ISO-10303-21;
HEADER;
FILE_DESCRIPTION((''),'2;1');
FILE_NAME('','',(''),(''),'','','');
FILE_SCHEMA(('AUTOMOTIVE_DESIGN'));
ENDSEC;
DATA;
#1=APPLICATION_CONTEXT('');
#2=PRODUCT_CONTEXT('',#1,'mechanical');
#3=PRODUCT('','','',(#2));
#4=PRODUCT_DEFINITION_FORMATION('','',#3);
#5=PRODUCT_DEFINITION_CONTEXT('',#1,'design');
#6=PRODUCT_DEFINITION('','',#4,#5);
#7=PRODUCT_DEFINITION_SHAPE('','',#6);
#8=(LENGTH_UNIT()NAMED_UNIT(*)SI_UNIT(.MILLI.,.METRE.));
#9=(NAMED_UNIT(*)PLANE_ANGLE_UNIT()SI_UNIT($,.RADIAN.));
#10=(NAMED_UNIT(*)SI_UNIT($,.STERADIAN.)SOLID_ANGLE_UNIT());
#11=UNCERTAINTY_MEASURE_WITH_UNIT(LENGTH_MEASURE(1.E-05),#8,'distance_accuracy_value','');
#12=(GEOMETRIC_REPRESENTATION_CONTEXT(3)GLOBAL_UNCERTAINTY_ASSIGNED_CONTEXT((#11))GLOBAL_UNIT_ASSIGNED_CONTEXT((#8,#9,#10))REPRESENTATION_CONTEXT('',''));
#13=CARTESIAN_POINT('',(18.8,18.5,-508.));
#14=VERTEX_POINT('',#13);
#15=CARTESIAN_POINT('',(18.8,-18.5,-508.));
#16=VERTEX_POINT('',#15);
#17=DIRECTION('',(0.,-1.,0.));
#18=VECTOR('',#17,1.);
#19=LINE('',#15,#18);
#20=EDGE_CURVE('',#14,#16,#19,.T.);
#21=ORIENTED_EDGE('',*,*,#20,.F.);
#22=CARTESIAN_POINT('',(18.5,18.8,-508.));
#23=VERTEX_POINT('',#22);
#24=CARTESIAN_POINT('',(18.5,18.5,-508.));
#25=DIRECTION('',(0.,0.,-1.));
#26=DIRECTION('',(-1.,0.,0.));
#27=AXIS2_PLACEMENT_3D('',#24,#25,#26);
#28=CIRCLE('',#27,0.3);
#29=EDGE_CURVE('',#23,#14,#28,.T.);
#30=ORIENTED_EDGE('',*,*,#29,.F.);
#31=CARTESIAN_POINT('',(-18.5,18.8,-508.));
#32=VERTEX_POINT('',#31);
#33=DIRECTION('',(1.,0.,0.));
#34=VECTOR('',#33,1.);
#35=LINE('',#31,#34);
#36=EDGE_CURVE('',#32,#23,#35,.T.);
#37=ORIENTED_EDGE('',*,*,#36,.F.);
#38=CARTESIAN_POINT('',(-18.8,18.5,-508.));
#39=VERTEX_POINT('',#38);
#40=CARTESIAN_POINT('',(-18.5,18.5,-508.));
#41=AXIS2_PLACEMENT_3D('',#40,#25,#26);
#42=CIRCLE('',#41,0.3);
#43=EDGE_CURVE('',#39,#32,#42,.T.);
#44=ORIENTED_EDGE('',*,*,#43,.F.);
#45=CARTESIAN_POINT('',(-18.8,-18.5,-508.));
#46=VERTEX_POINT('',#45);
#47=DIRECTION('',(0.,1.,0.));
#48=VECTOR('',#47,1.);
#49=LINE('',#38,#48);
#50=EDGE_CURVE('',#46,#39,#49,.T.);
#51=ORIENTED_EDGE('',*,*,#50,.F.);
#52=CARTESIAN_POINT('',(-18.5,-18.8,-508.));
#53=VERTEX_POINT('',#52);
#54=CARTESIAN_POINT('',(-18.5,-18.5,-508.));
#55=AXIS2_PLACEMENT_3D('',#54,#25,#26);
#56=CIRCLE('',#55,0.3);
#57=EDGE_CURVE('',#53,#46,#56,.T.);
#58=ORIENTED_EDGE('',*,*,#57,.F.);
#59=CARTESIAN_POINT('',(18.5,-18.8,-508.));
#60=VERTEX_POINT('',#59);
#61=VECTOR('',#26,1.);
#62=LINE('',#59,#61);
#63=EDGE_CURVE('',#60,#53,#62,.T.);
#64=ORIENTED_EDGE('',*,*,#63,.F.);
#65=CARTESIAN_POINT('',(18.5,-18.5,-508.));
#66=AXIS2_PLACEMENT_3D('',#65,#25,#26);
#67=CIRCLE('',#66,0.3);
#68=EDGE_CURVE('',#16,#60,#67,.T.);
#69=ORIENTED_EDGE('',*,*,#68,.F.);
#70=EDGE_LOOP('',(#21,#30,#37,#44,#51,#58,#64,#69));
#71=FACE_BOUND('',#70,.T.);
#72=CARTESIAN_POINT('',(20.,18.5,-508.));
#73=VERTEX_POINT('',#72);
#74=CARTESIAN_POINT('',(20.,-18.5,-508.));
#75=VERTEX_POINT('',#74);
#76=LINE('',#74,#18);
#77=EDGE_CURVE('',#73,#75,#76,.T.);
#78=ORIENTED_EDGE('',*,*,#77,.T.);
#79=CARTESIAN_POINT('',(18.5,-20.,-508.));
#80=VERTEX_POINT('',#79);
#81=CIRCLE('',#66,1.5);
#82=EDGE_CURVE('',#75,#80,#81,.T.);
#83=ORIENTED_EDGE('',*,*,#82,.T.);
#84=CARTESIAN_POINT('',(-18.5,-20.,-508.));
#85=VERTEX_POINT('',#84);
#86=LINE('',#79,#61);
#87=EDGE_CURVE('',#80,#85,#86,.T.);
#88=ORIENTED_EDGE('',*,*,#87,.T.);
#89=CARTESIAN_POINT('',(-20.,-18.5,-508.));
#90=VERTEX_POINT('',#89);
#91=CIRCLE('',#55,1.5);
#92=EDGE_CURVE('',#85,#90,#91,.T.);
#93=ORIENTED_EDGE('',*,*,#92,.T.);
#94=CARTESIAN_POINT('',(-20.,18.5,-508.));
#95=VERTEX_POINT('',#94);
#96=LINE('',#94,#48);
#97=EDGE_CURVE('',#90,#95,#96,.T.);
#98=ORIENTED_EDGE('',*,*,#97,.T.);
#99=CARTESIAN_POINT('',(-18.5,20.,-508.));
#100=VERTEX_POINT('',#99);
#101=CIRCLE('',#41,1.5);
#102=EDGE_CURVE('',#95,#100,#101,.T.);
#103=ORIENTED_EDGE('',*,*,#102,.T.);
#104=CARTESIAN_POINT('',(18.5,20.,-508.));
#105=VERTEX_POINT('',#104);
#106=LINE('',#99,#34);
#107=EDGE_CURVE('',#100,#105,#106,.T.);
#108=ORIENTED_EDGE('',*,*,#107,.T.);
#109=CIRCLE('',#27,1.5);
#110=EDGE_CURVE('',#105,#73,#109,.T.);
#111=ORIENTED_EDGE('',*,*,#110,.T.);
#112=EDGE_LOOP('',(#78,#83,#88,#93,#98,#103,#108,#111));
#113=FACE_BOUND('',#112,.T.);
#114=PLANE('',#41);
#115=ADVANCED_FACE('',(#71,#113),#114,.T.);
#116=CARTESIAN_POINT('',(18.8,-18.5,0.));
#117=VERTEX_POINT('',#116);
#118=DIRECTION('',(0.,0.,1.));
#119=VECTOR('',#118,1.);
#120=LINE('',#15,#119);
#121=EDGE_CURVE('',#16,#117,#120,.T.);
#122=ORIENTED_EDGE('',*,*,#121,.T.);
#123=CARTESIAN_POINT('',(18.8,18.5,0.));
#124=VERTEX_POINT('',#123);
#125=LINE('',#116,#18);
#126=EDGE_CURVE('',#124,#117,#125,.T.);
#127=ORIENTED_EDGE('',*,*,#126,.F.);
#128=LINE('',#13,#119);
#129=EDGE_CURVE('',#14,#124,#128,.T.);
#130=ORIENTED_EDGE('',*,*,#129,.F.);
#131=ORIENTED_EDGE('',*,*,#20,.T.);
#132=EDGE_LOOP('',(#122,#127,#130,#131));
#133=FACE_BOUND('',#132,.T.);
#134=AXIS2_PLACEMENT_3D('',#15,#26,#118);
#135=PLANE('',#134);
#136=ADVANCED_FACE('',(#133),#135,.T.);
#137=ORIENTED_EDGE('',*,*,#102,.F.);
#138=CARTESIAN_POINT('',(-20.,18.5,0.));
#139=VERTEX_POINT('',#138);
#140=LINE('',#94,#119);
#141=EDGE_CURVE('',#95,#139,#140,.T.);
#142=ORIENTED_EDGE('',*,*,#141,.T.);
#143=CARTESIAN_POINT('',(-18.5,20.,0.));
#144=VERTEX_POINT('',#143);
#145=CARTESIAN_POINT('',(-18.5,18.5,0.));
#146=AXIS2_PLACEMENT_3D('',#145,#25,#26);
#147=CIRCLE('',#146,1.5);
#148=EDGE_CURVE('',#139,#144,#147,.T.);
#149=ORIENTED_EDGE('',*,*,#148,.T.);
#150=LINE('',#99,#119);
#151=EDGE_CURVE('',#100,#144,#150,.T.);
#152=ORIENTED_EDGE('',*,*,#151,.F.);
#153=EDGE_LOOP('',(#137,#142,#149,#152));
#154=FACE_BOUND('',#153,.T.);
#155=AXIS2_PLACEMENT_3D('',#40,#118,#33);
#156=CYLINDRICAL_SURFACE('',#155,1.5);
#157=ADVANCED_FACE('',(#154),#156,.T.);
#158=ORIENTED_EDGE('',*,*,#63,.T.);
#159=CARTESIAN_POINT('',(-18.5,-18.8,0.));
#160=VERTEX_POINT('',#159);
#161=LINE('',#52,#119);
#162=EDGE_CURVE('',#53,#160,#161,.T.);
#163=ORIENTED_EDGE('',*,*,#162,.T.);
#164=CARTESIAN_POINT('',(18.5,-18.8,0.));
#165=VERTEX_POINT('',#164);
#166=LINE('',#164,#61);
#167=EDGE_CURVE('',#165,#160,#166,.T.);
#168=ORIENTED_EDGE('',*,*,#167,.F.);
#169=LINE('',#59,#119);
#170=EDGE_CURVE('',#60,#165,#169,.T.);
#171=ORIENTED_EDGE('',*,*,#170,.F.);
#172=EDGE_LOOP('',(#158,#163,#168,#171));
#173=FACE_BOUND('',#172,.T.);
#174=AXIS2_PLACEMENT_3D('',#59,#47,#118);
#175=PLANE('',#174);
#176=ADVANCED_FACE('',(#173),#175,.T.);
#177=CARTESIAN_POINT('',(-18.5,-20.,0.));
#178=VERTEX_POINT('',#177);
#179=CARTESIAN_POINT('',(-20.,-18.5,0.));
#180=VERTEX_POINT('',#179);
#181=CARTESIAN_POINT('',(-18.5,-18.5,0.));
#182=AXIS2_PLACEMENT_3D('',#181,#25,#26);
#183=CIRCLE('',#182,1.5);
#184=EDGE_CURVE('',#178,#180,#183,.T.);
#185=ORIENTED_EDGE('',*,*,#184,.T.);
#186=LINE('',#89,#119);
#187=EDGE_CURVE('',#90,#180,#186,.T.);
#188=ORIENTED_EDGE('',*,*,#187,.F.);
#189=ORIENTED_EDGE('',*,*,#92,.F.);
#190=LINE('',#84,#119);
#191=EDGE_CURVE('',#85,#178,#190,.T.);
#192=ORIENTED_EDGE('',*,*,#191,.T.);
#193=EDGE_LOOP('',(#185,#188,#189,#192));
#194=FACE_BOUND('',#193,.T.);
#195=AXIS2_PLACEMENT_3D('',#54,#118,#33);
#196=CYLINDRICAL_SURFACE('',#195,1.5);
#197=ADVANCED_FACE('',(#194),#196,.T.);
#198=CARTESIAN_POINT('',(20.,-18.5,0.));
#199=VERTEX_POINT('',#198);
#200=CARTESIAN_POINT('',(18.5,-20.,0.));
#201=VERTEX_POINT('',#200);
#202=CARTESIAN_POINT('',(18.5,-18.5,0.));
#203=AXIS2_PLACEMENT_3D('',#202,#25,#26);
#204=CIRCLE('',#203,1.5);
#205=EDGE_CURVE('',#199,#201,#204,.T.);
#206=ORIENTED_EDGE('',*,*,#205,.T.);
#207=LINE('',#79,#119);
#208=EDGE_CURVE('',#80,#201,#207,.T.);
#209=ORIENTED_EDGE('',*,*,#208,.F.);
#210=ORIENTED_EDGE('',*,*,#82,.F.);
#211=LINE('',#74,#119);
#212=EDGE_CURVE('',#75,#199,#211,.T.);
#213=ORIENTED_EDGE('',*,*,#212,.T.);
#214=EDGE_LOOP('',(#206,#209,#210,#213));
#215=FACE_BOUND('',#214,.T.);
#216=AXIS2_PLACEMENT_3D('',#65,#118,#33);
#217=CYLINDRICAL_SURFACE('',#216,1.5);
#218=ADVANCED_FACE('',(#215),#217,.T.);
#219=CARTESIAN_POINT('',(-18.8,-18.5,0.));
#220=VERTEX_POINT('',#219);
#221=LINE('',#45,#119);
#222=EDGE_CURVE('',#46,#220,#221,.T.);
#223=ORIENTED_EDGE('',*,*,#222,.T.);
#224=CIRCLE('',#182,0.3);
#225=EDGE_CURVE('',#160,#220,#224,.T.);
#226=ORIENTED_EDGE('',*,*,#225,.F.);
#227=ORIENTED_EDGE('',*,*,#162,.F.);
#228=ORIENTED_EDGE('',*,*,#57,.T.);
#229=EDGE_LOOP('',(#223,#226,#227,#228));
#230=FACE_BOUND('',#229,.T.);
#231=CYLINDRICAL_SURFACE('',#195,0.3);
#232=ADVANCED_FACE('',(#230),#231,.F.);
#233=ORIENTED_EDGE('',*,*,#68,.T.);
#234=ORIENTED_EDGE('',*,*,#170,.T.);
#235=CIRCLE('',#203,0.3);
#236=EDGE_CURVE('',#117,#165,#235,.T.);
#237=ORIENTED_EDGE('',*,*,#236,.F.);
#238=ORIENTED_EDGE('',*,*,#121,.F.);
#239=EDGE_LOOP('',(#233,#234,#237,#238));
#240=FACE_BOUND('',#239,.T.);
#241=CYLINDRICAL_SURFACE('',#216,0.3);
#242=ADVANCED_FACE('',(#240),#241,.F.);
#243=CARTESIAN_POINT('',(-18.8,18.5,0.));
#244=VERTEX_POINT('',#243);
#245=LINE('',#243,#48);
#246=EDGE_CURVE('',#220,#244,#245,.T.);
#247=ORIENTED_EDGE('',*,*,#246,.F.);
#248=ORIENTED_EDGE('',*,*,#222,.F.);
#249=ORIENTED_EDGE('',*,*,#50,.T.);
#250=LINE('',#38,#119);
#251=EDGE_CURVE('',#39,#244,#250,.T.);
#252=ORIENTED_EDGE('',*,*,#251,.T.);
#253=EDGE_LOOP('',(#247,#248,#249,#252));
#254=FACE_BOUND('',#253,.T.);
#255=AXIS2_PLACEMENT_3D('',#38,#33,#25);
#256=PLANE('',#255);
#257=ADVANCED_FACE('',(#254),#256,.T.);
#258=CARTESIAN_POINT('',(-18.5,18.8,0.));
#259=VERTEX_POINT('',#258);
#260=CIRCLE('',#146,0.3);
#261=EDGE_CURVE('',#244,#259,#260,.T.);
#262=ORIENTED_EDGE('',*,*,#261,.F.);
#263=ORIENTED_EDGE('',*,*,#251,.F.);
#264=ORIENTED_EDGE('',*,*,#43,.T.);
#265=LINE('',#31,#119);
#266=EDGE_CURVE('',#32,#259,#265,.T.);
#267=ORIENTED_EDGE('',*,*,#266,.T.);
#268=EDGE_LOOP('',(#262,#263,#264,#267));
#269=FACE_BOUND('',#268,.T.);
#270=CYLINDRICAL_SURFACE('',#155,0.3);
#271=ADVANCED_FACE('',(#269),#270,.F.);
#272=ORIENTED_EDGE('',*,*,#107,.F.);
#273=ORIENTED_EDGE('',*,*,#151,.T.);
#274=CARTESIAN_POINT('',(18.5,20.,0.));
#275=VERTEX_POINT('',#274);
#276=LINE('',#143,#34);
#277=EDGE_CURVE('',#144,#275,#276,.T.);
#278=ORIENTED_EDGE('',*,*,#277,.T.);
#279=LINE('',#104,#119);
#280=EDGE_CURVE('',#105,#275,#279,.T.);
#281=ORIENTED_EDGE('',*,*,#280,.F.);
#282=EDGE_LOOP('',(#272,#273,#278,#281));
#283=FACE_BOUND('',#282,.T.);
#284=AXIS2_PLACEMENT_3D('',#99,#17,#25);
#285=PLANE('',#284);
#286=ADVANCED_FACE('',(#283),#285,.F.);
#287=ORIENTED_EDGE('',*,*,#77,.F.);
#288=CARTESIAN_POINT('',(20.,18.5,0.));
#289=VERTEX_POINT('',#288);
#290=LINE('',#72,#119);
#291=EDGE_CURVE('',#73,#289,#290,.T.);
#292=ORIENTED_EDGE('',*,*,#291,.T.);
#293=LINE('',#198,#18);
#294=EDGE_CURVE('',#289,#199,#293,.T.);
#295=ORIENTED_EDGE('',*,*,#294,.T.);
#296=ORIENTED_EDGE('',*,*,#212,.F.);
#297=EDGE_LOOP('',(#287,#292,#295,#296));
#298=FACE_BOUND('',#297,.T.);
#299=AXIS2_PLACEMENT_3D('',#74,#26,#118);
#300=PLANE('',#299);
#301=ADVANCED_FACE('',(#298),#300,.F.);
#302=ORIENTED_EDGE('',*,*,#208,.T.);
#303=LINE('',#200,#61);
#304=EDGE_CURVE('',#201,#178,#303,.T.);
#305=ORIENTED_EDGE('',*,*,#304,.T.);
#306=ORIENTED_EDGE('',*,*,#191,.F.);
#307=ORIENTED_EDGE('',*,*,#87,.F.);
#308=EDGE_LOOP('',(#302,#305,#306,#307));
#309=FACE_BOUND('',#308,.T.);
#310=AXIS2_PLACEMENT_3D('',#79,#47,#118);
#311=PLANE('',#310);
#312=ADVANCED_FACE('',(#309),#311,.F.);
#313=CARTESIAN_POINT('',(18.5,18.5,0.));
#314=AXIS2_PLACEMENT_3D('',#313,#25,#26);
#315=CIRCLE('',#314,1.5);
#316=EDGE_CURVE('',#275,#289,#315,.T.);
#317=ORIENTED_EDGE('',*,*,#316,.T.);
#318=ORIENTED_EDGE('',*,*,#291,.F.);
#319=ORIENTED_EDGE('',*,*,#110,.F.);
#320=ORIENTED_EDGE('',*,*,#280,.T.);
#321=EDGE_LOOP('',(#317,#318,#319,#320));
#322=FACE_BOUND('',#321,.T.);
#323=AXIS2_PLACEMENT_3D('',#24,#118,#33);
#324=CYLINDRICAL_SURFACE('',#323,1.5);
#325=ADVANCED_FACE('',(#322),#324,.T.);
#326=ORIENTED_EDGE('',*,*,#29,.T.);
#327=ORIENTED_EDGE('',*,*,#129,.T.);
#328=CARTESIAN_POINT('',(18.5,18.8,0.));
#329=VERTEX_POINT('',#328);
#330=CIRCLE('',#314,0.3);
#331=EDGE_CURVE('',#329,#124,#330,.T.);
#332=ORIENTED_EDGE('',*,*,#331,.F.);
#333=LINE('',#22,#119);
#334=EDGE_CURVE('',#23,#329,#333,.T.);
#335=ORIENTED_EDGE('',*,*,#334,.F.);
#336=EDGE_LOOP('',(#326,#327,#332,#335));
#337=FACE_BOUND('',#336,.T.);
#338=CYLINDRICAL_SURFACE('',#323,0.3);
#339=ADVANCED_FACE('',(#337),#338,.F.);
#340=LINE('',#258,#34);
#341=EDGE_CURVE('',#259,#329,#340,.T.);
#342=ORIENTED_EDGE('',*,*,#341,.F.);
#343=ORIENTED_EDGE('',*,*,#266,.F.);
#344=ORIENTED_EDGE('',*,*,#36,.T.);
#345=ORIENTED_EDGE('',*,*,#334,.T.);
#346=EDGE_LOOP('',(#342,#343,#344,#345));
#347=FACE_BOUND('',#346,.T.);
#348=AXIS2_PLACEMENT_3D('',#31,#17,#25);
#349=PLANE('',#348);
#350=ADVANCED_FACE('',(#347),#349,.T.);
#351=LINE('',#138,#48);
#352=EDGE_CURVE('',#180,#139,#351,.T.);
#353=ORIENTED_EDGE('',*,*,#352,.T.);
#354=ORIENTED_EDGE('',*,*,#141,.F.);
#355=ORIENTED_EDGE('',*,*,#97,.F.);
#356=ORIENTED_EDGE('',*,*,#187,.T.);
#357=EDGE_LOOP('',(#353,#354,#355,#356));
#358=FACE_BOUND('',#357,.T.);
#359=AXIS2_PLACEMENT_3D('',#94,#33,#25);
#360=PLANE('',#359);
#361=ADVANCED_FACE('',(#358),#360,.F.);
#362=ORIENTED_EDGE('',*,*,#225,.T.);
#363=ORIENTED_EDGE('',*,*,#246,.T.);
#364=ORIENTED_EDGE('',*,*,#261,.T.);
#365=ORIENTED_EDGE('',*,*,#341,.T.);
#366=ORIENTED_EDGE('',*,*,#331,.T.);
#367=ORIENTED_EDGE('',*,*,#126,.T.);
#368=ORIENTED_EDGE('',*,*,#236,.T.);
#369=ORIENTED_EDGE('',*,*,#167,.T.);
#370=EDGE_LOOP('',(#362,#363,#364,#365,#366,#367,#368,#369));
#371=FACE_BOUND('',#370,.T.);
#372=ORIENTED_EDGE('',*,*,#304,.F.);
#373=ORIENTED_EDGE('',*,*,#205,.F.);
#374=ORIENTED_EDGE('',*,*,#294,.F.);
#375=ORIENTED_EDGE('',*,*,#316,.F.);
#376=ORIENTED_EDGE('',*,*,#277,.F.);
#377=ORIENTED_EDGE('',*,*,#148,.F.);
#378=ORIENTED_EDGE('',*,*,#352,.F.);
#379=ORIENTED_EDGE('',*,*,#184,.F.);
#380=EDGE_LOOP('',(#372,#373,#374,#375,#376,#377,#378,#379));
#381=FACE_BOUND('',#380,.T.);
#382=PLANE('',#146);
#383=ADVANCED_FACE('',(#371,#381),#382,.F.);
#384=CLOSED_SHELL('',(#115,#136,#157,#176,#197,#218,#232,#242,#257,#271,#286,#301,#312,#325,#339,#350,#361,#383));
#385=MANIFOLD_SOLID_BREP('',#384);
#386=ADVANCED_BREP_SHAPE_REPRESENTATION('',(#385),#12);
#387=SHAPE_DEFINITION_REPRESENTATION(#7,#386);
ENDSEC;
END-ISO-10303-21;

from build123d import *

# Parameters (mm, degrees)
STRUCTURAL_MEMBER1_DEPTH = 508


with BuildPart() as part:
    # Sketch12 → Structural Member1 (new body)
    with BuildSketch(Plane(origin=(0, 0, 0), x_dir=(-1, 0, 0), z_dir=(0, 0, -1))):
        with BuildLine():
            Line((-18.5, -20), (18.5, -20))
            ThreePointArc((18.5, -20), (19.560660172, -19.560660172), (20, -18.5))
            Line((20, -18.5), (20, 18.5))
            ThreePointArc((20, 18.5), (19.560660172, 19.560660172), (18.5, 20))
            Line((18.5, 20), (-18.5, 20))
            ThreePointArc((-18.5, 20), (-19.560660172, 19.560660172), (-20, 18.5))
            Line((-20, 18.5), (-20, -18.5))
            ThreePointArc((-20, -18.5), (-19.560660172, -19.560660172), (-18.5, -20))
        make_face()
        with BuildLine():
            Line((-18.5, -18.8), (18.5, -18.8))
            ThreePointArc((18.5, -18.8), (18.712132034, -18.712132034), (18.8, -18.5))
            Line((18.8, -18.5), (18.8, 18.5))
            ThreePointArc((18.8, 18.5), (18.712132034, 18.712132034), (18.5, 18.8))
            Line((18.5, 18.8), (-18.5, 18.8))
            ThreePointArc((-18.5, 18.8), (-18.712132034, 18.712132034), (-18.8, 18.5))
            Line((-18.8, 18.5), (-18.8, -18.5))
            ThreePointArc((-18.8, -18.5), (-18.712132034, -18.712132034), (-18.5, -18.8))
        make_face(mode=Mode.SUBTRACT)
    extrude(amount=STRUCTURAL_MEMBER1_DEPTH)


solid = part.part
